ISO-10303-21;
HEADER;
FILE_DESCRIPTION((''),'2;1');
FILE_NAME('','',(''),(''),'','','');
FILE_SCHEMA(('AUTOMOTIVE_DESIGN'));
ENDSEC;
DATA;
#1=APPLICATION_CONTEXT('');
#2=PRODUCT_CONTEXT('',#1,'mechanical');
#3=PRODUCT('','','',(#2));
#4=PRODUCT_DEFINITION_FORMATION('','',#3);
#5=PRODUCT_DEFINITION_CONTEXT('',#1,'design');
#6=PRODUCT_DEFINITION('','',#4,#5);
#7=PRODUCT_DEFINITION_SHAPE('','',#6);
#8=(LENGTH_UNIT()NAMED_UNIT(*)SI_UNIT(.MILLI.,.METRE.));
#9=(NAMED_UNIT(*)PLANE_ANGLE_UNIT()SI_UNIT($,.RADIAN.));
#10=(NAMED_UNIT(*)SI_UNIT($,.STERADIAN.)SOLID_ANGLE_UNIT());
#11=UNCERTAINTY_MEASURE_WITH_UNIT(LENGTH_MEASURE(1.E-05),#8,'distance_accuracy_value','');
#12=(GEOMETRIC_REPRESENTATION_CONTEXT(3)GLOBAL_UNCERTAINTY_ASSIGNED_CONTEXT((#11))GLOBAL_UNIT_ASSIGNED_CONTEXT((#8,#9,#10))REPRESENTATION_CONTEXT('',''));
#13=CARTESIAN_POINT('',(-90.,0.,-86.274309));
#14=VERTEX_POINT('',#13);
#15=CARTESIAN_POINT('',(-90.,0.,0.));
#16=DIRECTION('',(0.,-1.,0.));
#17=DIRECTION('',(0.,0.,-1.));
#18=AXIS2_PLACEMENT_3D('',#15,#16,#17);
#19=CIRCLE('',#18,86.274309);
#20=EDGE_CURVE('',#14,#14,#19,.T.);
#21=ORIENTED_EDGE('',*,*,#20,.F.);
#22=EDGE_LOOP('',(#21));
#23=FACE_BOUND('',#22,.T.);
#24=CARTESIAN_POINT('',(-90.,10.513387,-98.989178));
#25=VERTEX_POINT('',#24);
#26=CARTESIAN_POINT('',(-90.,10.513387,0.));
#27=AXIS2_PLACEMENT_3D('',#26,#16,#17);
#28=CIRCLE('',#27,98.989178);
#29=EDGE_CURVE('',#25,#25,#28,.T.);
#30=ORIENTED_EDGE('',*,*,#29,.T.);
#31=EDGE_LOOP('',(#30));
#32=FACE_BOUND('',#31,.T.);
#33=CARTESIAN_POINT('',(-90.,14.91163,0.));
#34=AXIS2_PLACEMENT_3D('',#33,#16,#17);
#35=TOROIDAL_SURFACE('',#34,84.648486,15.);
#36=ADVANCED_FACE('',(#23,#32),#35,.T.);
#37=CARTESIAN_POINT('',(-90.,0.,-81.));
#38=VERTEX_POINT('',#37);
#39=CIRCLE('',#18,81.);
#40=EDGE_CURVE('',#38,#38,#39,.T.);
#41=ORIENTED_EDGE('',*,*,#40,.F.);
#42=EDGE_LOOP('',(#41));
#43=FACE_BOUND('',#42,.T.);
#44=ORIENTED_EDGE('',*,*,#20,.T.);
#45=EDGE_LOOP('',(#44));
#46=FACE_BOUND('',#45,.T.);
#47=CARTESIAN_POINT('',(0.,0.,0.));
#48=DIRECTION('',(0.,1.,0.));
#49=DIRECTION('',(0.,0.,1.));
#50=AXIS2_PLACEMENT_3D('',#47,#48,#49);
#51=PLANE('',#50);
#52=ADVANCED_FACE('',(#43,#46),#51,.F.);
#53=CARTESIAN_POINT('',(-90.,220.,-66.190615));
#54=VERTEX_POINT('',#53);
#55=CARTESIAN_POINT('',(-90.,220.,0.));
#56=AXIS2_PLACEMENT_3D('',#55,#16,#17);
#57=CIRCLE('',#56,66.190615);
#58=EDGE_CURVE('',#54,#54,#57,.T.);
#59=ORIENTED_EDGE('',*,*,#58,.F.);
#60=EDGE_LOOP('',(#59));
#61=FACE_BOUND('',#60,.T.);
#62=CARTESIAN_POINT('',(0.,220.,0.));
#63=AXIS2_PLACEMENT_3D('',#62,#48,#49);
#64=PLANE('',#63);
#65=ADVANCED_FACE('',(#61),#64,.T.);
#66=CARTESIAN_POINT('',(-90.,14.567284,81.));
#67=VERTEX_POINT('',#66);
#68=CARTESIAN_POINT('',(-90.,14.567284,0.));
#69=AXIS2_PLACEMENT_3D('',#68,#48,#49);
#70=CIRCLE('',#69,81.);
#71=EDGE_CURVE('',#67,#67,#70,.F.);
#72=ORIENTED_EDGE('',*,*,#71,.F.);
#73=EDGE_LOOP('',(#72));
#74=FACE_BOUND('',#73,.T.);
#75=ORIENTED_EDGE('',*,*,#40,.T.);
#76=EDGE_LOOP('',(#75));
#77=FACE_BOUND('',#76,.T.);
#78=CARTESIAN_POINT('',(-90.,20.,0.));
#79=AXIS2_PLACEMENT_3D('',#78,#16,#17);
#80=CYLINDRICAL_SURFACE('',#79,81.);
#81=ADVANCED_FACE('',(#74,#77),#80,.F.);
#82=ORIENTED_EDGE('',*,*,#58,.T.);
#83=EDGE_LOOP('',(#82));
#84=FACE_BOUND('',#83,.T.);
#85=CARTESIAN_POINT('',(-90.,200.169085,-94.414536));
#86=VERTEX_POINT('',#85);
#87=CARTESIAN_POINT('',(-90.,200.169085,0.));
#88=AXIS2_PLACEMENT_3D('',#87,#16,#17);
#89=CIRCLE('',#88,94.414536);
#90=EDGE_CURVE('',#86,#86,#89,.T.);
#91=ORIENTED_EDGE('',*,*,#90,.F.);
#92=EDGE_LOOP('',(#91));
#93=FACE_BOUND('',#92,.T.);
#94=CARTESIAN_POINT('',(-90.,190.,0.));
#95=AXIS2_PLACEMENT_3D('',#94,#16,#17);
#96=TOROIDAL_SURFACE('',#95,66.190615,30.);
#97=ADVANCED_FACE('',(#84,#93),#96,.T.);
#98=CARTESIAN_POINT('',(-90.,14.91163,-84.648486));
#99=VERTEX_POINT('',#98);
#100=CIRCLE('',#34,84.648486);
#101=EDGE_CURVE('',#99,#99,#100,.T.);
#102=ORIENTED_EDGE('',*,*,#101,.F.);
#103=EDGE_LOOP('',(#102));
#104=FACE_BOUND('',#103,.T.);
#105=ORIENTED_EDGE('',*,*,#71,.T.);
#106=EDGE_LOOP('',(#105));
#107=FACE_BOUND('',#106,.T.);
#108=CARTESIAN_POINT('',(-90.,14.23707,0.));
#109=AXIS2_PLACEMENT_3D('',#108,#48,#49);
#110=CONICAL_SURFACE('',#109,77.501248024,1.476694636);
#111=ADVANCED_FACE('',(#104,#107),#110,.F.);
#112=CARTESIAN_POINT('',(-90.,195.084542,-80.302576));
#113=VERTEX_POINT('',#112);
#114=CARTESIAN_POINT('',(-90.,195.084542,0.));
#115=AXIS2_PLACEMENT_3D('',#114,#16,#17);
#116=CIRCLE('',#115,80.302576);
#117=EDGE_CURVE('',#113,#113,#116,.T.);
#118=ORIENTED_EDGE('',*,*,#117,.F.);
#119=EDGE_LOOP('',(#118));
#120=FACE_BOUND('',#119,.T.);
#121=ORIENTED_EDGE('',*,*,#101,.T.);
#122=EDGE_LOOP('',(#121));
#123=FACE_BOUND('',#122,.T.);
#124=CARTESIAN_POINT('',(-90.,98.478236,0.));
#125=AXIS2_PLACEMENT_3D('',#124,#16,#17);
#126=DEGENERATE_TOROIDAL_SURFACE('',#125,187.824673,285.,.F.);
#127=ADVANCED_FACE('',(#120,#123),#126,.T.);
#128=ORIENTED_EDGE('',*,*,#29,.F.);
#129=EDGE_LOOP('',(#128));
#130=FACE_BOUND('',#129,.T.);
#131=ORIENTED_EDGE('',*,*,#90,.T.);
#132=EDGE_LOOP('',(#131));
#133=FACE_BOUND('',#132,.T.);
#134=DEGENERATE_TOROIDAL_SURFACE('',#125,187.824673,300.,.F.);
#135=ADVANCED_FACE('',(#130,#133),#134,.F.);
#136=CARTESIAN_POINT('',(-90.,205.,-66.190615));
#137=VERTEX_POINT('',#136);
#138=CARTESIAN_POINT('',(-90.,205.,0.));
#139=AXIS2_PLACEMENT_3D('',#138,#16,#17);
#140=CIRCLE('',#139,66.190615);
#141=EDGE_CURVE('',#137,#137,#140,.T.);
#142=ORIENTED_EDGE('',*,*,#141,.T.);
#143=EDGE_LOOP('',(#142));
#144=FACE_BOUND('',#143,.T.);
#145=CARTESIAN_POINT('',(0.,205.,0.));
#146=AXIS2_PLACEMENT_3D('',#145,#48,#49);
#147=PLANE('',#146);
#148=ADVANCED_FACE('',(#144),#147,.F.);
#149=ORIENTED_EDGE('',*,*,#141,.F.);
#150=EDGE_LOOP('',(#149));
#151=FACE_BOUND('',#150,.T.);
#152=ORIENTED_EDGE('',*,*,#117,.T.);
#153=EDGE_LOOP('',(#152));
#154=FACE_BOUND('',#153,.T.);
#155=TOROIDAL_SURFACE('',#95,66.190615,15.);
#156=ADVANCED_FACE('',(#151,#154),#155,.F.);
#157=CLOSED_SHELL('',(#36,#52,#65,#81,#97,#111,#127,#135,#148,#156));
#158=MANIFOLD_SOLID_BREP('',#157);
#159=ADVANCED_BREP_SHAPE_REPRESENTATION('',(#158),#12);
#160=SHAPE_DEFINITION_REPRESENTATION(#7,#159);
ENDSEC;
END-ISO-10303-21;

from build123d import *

# Parameters (mm, degrees)
SKETCH3_R          = 81
SKETCH3_R_2        = 77.501248024
CUT_EXTRUDE1_DEPTH = 20


with BuildPart() as part:
    # Sketch2 → Revolve1 (revolve)
    with BuildSketch(Plane.XY, mode=Mode.PRIVATE) as revolve1_sk:
        with BuildLine():
            ThreePointArc((4.414536229, 200.169084884), (-6.562247931, 214.546614293), (-23.8093847, 220))
            Line((-23.8093847, 220), (-90, 220))
            Line((-90, 220), (-90, 205))
            Line((-90, 205), (-23.8093847, 205))
            ThreePointArc((-23.8093847, 205), (-15.185816315, 202.273307147), (-9.697424235, 195.084542442))
            ThreePointArc((-9.697424235, 195.084542442), (7.092454929, 105.350657564), (-5.351514207, 14.911629651))
            Line((-5.351514207, 14.911629651), (-12.498751976, 14.23707021))
            Line((-12.498751976, 14.23707021), (-12.498751976, 0))
            Line((-12.498751976, 0), (-3.725690982, 0))
            ThreePointArc((-3.725690982, 0), (4.207002118, 3.351579232), (8.989178365, 10.513387209))
            ThreePointArc((8.989178365, 10.513387209), (22.088093244, 105.71236396), (4.414536229, 200.169084884))
        make_face()
    revolve(revolve1_sk.sketch.rotate(Axis((-90, -83.445440151, 0), (0, 1, 0)), 90), axis=Axis((-90, -83.445440151, 0), (0, 1, 0)))

    # Sketch3 → Cut-Extrude1 (cut)
    with BuildSketch(Plane.XZ):
        with Locations(Location((-90, 0, 0), (0, 0, 270))):
            Circle(SKETCH3_R)
        with Locations((-90, 0)):
            Circle(SKETCH3_R_2, mode=Mode.SUBTRACT)
    extrude(amount=-CUT_EXTRUDE1_DEPTH, mode=Mode.SUBTRACT)


solid = part.part
